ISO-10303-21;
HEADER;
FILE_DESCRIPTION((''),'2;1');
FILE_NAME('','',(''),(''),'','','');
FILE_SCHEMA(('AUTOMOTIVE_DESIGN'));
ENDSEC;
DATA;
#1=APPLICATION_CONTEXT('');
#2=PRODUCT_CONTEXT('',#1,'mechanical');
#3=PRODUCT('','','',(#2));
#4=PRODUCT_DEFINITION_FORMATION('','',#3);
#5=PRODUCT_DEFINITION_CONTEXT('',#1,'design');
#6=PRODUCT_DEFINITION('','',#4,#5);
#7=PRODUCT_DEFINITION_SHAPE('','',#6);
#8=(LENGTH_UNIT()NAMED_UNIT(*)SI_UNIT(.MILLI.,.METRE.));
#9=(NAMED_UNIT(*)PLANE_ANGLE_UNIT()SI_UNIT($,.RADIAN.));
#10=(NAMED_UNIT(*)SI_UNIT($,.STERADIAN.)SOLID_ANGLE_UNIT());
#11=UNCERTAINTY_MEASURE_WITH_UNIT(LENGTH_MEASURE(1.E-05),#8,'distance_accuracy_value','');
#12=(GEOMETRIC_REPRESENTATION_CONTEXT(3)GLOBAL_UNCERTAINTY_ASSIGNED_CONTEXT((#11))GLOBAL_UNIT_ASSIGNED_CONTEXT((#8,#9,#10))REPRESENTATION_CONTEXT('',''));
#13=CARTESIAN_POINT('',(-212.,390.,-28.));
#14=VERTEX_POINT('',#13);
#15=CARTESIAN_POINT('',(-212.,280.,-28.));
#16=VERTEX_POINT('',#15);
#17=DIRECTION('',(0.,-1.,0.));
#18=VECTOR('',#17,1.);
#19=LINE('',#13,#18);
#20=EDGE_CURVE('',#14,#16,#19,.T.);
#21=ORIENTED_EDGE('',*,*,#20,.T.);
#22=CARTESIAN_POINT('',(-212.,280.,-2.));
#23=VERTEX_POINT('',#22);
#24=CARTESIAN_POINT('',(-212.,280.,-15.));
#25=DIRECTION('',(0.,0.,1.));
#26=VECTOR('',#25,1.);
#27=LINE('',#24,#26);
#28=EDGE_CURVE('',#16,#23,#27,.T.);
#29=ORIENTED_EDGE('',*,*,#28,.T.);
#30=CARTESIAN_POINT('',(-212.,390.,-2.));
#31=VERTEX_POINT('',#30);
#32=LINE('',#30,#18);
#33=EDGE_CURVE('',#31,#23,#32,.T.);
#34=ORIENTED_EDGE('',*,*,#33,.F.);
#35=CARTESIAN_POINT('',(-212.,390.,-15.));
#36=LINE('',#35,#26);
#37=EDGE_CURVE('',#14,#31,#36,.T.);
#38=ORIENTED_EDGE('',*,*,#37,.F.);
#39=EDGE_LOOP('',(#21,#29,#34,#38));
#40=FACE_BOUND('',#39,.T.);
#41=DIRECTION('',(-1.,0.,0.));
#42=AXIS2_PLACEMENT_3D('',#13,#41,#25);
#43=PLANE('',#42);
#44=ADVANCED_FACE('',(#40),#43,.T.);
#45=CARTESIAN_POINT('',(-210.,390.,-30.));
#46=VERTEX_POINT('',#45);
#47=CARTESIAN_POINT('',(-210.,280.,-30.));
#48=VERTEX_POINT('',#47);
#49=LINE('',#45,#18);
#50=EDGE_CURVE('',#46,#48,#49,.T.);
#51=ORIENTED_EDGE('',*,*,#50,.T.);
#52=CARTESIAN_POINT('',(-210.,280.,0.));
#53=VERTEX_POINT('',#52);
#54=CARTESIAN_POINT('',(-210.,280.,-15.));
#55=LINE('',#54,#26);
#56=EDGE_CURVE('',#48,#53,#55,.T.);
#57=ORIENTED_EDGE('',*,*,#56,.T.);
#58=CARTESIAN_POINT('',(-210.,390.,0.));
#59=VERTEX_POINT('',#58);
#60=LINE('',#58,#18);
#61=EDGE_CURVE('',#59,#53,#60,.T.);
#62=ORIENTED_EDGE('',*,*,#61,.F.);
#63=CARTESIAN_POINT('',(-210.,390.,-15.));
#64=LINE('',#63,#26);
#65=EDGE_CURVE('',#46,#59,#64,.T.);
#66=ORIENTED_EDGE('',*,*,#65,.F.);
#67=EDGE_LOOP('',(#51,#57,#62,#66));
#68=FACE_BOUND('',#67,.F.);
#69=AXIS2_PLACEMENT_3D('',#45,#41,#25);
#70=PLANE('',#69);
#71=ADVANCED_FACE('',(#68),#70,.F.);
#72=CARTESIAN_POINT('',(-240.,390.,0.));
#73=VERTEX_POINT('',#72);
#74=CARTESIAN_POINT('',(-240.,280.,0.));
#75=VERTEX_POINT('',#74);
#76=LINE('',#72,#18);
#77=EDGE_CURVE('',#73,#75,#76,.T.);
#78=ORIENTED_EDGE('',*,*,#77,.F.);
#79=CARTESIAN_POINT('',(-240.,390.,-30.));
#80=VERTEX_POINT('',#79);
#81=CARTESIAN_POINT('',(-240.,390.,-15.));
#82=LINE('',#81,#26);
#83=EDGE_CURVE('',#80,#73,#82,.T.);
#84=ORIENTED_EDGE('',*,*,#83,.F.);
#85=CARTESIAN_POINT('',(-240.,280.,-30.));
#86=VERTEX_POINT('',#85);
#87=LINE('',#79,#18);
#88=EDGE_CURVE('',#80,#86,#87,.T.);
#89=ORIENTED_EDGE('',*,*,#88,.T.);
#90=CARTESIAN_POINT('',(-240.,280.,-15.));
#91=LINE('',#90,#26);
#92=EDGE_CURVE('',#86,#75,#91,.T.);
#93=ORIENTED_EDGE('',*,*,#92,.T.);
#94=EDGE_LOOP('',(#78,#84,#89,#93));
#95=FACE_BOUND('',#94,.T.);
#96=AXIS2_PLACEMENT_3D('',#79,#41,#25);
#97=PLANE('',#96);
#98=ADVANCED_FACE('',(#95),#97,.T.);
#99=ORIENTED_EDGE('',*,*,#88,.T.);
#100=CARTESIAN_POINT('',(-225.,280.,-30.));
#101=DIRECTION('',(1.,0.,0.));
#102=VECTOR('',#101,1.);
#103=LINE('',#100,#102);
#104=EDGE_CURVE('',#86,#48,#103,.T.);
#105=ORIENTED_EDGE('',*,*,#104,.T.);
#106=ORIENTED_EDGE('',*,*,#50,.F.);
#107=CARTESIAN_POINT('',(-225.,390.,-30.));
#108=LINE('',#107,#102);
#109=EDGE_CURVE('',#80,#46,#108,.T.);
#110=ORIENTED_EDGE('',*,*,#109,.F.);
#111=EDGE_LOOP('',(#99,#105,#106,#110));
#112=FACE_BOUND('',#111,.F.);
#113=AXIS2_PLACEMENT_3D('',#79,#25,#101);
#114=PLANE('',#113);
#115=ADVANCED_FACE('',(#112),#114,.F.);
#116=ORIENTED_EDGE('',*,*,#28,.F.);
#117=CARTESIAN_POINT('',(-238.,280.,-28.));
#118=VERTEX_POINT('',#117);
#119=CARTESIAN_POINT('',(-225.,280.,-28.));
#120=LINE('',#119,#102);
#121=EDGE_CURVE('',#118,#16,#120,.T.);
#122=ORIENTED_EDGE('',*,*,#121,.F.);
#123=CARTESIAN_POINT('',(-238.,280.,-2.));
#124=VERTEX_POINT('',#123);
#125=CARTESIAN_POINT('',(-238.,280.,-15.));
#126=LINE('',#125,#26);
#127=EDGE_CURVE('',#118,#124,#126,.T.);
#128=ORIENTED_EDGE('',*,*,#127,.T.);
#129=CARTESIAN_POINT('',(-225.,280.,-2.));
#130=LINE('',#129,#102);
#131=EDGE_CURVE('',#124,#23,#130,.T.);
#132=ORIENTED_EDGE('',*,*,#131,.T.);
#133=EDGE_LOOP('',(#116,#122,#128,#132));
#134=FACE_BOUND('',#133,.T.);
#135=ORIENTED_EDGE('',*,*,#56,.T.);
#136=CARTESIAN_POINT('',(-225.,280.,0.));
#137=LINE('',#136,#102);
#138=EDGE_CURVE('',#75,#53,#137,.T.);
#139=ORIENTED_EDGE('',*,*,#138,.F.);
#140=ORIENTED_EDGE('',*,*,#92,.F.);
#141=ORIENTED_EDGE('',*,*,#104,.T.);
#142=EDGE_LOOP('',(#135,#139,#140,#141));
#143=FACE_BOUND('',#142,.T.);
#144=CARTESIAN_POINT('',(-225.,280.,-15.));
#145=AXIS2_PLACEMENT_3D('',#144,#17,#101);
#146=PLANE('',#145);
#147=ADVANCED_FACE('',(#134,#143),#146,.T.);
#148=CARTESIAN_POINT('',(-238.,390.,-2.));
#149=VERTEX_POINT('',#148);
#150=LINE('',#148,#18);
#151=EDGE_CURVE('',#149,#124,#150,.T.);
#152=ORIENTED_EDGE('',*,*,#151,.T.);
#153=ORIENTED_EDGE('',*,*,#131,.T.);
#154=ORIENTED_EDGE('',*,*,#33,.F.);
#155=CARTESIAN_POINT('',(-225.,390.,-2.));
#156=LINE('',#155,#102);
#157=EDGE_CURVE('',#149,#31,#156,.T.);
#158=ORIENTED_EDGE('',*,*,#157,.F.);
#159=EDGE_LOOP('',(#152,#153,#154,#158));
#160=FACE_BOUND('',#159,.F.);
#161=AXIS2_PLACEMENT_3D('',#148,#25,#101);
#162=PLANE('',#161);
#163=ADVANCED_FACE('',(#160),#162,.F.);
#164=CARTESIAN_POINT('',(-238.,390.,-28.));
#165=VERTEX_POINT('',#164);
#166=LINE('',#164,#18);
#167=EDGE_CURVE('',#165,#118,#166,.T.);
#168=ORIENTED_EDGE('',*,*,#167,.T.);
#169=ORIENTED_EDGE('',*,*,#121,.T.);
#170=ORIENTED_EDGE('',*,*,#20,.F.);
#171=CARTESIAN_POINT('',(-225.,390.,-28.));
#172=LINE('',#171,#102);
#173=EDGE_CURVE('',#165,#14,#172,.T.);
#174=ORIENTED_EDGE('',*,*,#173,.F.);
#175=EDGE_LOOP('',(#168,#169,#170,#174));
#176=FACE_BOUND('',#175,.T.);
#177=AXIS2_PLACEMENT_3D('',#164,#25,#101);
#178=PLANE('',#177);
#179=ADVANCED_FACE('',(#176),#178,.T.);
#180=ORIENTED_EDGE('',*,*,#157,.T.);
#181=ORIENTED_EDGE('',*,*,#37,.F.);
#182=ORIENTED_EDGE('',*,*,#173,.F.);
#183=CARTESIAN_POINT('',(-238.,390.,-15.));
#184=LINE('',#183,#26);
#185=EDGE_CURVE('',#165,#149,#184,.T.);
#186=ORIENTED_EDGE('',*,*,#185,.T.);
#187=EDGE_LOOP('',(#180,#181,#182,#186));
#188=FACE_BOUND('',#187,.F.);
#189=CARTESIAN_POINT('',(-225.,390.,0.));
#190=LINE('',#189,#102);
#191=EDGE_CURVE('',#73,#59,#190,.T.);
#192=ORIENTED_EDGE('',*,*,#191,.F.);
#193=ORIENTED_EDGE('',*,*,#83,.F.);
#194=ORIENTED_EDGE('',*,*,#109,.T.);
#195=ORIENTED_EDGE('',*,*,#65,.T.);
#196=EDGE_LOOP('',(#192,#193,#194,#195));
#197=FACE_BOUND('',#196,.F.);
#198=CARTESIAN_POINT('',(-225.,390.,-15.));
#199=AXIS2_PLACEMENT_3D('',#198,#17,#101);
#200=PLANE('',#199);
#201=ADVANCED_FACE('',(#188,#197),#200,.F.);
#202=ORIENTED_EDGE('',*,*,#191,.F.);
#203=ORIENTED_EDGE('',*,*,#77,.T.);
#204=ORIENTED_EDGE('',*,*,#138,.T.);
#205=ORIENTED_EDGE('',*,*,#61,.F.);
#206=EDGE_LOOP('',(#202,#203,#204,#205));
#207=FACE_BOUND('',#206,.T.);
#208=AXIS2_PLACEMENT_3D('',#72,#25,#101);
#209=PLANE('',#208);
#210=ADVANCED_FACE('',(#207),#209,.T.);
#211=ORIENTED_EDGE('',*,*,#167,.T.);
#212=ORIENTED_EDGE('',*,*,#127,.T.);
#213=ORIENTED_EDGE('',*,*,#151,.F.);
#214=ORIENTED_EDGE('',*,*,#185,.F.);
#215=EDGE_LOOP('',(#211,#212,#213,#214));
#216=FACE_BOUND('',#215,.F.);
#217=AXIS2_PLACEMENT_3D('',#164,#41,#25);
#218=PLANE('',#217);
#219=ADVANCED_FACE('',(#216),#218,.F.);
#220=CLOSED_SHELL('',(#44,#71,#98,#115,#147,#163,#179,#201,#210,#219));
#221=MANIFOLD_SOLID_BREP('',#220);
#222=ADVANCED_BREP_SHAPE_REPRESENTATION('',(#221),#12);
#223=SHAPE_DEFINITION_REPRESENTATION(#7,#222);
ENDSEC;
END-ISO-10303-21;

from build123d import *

# Parameters (mm, degrees)
SKETCH001_W   = 30
SKETCH001_H   = 30
SKETCH001_W_2 = 26
SKETCH001_H_2 = 26
PAD001_DEPTH  = 110


with BuildPart() as part:
    # Sketch001 → Pad001 (new body)
    with BuildSketch(Plane.XZ):
        with Locations((15, -15)):
            Rectangle(SKETCH001_W, SKETCH001_H)
        with Locations((15, -15)):
            Rectangle(SKETCH001_W_2, SKETCH001_H_2, mode=Mode.SUBTRACT)
    extrude(amount=PAD001_DEPTH)


with BuildPart() as part_1:
    # Body001 placement: moved
    add(part.part.moved(Location((-240, 390, 0))))


solid = part_1.part
